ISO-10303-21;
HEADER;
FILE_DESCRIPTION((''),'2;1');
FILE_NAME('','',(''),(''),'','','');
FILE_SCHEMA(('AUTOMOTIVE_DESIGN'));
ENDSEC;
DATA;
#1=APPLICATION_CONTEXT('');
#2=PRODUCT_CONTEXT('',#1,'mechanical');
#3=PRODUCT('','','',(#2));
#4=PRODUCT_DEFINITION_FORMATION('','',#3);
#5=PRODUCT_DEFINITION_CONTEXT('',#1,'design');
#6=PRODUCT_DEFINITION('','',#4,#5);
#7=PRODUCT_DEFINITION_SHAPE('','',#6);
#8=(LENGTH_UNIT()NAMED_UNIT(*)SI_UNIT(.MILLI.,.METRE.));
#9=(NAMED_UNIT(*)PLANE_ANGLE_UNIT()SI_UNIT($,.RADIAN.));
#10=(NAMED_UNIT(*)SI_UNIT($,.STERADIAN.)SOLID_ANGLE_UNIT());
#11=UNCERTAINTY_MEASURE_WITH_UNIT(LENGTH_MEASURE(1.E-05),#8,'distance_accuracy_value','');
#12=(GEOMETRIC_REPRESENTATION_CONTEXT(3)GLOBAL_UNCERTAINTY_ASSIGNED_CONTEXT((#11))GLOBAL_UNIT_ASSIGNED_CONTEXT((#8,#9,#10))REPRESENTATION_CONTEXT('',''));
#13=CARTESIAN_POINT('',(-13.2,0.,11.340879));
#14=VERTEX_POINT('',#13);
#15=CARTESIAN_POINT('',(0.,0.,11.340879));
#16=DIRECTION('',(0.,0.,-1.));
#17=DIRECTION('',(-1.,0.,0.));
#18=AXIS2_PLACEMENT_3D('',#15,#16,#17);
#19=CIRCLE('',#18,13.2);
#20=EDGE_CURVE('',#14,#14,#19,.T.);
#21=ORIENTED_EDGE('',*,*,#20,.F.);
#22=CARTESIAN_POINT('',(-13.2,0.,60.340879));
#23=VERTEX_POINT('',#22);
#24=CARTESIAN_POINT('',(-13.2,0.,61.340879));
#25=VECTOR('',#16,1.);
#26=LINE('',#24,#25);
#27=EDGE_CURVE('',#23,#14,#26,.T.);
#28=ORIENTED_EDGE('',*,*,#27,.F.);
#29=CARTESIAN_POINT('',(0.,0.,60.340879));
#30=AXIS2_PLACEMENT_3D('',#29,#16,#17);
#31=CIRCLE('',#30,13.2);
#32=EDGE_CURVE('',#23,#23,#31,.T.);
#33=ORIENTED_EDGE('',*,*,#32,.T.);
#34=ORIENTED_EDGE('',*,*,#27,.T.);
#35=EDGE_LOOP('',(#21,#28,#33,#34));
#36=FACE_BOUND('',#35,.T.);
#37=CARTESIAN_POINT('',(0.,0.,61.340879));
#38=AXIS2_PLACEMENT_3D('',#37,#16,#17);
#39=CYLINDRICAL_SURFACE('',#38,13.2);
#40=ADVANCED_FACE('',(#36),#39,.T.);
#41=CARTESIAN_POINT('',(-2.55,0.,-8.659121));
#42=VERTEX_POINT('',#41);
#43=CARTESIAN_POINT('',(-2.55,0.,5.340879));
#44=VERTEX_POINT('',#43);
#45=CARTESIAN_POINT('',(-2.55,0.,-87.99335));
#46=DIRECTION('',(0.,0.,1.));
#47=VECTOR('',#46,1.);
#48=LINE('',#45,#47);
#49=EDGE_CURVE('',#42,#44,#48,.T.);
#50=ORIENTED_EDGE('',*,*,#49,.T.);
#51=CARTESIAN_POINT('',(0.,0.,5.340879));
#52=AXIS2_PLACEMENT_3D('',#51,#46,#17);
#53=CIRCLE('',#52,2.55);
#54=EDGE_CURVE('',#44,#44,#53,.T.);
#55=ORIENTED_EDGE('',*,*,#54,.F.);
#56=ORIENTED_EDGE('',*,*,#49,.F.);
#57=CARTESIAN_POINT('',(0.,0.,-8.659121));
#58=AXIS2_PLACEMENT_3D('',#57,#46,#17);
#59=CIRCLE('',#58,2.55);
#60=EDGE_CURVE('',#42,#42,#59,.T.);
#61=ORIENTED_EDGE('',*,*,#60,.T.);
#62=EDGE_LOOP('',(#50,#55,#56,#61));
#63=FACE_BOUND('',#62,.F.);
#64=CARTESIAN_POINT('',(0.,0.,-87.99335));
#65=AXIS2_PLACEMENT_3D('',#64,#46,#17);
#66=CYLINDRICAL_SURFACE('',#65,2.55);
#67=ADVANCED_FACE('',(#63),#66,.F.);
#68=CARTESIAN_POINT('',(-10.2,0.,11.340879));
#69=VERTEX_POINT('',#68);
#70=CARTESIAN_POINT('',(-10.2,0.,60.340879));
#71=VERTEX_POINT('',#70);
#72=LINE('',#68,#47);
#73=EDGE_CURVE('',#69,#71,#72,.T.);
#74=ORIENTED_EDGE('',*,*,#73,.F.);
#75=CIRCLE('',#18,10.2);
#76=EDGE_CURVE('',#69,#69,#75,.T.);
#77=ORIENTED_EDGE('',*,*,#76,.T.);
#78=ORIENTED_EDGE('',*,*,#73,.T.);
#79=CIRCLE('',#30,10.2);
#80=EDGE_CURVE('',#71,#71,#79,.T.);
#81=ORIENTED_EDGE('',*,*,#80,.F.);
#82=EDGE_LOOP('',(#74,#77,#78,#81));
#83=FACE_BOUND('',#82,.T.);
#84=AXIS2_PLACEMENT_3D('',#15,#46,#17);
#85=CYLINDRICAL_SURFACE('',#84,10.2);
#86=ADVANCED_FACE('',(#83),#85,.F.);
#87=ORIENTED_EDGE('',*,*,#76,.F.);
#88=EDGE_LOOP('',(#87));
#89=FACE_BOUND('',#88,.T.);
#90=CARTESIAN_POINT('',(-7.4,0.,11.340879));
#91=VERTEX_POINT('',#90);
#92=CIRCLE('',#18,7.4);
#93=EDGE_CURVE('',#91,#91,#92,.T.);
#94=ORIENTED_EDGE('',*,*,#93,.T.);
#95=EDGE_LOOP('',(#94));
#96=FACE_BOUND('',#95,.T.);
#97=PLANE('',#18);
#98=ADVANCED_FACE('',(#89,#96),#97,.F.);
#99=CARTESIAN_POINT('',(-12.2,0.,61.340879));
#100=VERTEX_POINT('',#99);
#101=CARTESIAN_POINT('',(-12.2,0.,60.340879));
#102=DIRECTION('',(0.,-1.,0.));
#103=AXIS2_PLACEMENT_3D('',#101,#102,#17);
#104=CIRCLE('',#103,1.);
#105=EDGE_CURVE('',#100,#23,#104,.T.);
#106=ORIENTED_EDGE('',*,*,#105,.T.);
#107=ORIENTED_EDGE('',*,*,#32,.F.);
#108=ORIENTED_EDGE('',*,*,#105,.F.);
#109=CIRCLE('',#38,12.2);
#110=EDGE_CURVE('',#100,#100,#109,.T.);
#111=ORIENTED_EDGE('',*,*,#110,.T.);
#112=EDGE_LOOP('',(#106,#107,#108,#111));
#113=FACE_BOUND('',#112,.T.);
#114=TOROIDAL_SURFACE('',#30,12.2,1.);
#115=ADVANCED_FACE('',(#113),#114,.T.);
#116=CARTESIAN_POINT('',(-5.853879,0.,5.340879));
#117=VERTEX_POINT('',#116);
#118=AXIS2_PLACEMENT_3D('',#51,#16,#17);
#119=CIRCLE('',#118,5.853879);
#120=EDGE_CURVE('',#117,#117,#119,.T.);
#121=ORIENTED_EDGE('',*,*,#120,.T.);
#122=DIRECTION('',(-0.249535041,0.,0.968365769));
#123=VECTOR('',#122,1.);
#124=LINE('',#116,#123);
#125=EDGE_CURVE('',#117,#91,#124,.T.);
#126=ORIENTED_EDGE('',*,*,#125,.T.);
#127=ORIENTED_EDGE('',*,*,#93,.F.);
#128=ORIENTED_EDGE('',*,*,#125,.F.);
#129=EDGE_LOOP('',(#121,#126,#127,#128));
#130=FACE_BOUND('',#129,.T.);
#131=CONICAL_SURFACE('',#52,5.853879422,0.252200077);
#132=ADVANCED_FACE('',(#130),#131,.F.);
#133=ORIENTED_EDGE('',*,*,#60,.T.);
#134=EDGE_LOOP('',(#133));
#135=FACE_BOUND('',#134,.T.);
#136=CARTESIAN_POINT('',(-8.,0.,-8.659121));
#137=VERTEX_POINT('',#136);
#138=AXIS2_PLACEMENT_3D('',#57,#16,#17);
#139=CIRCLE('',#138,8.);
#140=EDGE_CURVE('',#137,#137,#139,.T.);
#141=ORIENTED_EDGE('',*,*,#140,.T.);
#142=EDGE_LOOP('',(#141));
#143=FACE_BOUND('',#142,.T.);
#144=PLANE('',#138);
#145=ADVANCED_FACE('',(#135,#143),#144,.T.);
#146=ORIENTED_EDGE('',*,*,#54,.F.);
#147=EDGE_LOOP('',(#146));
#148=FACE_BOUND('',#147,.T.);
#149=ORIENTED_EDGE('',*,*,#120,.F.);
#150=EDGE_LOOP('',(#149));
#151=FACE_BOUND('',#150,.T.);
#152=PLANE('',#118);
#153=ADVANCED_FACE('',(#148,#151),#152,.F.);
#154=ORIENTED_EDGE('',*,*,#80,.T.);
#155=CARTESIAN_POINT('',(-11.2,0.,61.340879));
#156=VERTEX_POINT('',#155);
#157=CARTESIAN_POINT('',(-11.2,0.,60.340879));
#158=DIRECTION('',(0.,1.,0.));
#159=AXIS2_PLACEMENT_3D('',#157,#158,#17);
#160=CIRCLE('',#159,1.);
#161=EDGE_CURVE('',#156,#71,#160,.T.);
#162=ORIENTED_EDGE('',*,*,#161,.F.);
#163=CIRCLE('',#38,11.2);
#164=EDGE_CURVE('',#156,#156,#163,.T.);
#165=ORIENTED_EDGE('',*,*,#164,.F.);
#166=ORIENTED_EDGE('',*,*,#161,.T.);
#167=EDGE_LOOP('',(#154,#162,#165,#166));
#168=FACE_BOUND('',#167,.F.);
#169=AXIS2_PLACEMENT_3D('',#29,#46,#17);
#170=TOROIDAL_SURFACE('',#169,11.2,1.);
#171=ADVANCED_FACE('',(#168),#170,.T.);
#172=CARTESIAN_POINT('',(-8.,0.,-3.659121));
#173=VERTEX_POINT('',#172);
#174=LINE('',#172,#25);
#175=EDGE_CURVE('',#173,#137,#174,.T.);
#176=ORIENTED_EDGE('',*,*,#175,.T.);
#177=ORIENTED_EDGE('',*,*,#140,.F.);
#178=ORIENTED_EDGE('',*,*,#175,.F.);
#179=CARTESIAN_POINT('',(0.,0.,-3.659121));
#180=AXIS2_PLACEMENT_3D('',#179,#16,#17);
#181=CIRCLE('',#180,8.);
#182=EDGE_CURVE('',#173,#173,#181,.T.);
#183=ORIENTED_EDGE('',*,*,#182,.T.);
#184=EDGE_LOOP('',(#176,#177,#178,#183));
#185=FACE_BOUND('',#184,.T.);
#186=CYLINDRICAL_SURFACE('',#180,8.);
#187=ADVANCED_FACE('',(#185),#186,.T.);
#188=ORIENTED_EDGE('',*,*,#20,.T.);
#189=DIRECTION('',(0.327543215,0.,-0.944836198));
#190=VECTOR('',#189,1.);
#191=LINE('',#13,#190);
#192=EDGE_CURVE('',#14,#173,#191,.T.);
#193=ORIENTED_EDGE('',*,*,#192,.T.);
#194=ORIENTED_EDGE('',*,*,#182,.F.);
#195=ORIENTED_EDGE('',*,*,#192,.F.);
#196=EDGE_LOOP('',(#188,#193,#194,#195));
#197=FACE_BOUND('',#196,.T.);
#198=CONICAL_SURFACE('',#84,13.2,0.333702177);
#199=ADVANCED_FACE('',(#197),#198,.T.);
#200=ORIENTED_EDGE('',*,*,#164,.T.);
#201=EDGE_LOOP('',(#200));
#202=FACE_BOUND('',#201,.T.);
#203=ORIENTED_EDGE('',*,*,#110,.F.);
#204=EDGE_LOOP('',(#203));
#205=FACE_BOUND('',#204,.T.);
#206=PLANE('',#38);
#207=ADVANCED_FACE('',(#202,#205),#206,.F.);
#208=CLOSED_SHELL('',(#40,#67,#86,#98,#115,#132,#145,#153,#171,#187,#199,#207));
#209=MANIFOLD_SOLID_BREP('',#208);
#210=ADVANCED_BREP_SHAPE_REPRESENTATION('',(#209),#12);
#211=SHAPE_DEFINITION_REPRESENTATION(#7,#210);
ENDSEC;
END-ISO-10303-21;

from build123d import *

# Parameters (mm, degrees)
F2_R = 1
F4_D = 5.1


with BuildPart() as f1:
    # F0 (on Front) → F1 (revolve)
    with BuildSketch(Plane.XZ):
        Polygon((-10.2, 61.3408794351), (-13.2, 61.3408794351), (-13.2, 11.3408794351), (-8, -3.6591205649), (-8, -8.6591205649), (0, -8.6591205649), (0, 5.3408794351), (-5.8538794215, 5.3408794351), (-7.4, 11.3408794351), (-10.2, 11.3408794351), align=None)
    revolve(axis=Axis((0, 0, 2.0173949058), (0, 0, -1)))

    # F2
    f2_edges = [f1.edges().sort_by_distance(p)[0] for p in [
        (13.2, 0, 61.340879),
        (10.2, 0, 61.340879),
    ]]
    fillet(f2_edges, radius=F2_R)

    # F4 (through all)
    with Locations(Plane(origin=(0, 0, -8.6591205649), x_dir=(1, 0, 0), z_dir=(0, 0, -1))):
        with Locations((0, 0)):
            Hole(F4_D / 2)


solid = f1.part
